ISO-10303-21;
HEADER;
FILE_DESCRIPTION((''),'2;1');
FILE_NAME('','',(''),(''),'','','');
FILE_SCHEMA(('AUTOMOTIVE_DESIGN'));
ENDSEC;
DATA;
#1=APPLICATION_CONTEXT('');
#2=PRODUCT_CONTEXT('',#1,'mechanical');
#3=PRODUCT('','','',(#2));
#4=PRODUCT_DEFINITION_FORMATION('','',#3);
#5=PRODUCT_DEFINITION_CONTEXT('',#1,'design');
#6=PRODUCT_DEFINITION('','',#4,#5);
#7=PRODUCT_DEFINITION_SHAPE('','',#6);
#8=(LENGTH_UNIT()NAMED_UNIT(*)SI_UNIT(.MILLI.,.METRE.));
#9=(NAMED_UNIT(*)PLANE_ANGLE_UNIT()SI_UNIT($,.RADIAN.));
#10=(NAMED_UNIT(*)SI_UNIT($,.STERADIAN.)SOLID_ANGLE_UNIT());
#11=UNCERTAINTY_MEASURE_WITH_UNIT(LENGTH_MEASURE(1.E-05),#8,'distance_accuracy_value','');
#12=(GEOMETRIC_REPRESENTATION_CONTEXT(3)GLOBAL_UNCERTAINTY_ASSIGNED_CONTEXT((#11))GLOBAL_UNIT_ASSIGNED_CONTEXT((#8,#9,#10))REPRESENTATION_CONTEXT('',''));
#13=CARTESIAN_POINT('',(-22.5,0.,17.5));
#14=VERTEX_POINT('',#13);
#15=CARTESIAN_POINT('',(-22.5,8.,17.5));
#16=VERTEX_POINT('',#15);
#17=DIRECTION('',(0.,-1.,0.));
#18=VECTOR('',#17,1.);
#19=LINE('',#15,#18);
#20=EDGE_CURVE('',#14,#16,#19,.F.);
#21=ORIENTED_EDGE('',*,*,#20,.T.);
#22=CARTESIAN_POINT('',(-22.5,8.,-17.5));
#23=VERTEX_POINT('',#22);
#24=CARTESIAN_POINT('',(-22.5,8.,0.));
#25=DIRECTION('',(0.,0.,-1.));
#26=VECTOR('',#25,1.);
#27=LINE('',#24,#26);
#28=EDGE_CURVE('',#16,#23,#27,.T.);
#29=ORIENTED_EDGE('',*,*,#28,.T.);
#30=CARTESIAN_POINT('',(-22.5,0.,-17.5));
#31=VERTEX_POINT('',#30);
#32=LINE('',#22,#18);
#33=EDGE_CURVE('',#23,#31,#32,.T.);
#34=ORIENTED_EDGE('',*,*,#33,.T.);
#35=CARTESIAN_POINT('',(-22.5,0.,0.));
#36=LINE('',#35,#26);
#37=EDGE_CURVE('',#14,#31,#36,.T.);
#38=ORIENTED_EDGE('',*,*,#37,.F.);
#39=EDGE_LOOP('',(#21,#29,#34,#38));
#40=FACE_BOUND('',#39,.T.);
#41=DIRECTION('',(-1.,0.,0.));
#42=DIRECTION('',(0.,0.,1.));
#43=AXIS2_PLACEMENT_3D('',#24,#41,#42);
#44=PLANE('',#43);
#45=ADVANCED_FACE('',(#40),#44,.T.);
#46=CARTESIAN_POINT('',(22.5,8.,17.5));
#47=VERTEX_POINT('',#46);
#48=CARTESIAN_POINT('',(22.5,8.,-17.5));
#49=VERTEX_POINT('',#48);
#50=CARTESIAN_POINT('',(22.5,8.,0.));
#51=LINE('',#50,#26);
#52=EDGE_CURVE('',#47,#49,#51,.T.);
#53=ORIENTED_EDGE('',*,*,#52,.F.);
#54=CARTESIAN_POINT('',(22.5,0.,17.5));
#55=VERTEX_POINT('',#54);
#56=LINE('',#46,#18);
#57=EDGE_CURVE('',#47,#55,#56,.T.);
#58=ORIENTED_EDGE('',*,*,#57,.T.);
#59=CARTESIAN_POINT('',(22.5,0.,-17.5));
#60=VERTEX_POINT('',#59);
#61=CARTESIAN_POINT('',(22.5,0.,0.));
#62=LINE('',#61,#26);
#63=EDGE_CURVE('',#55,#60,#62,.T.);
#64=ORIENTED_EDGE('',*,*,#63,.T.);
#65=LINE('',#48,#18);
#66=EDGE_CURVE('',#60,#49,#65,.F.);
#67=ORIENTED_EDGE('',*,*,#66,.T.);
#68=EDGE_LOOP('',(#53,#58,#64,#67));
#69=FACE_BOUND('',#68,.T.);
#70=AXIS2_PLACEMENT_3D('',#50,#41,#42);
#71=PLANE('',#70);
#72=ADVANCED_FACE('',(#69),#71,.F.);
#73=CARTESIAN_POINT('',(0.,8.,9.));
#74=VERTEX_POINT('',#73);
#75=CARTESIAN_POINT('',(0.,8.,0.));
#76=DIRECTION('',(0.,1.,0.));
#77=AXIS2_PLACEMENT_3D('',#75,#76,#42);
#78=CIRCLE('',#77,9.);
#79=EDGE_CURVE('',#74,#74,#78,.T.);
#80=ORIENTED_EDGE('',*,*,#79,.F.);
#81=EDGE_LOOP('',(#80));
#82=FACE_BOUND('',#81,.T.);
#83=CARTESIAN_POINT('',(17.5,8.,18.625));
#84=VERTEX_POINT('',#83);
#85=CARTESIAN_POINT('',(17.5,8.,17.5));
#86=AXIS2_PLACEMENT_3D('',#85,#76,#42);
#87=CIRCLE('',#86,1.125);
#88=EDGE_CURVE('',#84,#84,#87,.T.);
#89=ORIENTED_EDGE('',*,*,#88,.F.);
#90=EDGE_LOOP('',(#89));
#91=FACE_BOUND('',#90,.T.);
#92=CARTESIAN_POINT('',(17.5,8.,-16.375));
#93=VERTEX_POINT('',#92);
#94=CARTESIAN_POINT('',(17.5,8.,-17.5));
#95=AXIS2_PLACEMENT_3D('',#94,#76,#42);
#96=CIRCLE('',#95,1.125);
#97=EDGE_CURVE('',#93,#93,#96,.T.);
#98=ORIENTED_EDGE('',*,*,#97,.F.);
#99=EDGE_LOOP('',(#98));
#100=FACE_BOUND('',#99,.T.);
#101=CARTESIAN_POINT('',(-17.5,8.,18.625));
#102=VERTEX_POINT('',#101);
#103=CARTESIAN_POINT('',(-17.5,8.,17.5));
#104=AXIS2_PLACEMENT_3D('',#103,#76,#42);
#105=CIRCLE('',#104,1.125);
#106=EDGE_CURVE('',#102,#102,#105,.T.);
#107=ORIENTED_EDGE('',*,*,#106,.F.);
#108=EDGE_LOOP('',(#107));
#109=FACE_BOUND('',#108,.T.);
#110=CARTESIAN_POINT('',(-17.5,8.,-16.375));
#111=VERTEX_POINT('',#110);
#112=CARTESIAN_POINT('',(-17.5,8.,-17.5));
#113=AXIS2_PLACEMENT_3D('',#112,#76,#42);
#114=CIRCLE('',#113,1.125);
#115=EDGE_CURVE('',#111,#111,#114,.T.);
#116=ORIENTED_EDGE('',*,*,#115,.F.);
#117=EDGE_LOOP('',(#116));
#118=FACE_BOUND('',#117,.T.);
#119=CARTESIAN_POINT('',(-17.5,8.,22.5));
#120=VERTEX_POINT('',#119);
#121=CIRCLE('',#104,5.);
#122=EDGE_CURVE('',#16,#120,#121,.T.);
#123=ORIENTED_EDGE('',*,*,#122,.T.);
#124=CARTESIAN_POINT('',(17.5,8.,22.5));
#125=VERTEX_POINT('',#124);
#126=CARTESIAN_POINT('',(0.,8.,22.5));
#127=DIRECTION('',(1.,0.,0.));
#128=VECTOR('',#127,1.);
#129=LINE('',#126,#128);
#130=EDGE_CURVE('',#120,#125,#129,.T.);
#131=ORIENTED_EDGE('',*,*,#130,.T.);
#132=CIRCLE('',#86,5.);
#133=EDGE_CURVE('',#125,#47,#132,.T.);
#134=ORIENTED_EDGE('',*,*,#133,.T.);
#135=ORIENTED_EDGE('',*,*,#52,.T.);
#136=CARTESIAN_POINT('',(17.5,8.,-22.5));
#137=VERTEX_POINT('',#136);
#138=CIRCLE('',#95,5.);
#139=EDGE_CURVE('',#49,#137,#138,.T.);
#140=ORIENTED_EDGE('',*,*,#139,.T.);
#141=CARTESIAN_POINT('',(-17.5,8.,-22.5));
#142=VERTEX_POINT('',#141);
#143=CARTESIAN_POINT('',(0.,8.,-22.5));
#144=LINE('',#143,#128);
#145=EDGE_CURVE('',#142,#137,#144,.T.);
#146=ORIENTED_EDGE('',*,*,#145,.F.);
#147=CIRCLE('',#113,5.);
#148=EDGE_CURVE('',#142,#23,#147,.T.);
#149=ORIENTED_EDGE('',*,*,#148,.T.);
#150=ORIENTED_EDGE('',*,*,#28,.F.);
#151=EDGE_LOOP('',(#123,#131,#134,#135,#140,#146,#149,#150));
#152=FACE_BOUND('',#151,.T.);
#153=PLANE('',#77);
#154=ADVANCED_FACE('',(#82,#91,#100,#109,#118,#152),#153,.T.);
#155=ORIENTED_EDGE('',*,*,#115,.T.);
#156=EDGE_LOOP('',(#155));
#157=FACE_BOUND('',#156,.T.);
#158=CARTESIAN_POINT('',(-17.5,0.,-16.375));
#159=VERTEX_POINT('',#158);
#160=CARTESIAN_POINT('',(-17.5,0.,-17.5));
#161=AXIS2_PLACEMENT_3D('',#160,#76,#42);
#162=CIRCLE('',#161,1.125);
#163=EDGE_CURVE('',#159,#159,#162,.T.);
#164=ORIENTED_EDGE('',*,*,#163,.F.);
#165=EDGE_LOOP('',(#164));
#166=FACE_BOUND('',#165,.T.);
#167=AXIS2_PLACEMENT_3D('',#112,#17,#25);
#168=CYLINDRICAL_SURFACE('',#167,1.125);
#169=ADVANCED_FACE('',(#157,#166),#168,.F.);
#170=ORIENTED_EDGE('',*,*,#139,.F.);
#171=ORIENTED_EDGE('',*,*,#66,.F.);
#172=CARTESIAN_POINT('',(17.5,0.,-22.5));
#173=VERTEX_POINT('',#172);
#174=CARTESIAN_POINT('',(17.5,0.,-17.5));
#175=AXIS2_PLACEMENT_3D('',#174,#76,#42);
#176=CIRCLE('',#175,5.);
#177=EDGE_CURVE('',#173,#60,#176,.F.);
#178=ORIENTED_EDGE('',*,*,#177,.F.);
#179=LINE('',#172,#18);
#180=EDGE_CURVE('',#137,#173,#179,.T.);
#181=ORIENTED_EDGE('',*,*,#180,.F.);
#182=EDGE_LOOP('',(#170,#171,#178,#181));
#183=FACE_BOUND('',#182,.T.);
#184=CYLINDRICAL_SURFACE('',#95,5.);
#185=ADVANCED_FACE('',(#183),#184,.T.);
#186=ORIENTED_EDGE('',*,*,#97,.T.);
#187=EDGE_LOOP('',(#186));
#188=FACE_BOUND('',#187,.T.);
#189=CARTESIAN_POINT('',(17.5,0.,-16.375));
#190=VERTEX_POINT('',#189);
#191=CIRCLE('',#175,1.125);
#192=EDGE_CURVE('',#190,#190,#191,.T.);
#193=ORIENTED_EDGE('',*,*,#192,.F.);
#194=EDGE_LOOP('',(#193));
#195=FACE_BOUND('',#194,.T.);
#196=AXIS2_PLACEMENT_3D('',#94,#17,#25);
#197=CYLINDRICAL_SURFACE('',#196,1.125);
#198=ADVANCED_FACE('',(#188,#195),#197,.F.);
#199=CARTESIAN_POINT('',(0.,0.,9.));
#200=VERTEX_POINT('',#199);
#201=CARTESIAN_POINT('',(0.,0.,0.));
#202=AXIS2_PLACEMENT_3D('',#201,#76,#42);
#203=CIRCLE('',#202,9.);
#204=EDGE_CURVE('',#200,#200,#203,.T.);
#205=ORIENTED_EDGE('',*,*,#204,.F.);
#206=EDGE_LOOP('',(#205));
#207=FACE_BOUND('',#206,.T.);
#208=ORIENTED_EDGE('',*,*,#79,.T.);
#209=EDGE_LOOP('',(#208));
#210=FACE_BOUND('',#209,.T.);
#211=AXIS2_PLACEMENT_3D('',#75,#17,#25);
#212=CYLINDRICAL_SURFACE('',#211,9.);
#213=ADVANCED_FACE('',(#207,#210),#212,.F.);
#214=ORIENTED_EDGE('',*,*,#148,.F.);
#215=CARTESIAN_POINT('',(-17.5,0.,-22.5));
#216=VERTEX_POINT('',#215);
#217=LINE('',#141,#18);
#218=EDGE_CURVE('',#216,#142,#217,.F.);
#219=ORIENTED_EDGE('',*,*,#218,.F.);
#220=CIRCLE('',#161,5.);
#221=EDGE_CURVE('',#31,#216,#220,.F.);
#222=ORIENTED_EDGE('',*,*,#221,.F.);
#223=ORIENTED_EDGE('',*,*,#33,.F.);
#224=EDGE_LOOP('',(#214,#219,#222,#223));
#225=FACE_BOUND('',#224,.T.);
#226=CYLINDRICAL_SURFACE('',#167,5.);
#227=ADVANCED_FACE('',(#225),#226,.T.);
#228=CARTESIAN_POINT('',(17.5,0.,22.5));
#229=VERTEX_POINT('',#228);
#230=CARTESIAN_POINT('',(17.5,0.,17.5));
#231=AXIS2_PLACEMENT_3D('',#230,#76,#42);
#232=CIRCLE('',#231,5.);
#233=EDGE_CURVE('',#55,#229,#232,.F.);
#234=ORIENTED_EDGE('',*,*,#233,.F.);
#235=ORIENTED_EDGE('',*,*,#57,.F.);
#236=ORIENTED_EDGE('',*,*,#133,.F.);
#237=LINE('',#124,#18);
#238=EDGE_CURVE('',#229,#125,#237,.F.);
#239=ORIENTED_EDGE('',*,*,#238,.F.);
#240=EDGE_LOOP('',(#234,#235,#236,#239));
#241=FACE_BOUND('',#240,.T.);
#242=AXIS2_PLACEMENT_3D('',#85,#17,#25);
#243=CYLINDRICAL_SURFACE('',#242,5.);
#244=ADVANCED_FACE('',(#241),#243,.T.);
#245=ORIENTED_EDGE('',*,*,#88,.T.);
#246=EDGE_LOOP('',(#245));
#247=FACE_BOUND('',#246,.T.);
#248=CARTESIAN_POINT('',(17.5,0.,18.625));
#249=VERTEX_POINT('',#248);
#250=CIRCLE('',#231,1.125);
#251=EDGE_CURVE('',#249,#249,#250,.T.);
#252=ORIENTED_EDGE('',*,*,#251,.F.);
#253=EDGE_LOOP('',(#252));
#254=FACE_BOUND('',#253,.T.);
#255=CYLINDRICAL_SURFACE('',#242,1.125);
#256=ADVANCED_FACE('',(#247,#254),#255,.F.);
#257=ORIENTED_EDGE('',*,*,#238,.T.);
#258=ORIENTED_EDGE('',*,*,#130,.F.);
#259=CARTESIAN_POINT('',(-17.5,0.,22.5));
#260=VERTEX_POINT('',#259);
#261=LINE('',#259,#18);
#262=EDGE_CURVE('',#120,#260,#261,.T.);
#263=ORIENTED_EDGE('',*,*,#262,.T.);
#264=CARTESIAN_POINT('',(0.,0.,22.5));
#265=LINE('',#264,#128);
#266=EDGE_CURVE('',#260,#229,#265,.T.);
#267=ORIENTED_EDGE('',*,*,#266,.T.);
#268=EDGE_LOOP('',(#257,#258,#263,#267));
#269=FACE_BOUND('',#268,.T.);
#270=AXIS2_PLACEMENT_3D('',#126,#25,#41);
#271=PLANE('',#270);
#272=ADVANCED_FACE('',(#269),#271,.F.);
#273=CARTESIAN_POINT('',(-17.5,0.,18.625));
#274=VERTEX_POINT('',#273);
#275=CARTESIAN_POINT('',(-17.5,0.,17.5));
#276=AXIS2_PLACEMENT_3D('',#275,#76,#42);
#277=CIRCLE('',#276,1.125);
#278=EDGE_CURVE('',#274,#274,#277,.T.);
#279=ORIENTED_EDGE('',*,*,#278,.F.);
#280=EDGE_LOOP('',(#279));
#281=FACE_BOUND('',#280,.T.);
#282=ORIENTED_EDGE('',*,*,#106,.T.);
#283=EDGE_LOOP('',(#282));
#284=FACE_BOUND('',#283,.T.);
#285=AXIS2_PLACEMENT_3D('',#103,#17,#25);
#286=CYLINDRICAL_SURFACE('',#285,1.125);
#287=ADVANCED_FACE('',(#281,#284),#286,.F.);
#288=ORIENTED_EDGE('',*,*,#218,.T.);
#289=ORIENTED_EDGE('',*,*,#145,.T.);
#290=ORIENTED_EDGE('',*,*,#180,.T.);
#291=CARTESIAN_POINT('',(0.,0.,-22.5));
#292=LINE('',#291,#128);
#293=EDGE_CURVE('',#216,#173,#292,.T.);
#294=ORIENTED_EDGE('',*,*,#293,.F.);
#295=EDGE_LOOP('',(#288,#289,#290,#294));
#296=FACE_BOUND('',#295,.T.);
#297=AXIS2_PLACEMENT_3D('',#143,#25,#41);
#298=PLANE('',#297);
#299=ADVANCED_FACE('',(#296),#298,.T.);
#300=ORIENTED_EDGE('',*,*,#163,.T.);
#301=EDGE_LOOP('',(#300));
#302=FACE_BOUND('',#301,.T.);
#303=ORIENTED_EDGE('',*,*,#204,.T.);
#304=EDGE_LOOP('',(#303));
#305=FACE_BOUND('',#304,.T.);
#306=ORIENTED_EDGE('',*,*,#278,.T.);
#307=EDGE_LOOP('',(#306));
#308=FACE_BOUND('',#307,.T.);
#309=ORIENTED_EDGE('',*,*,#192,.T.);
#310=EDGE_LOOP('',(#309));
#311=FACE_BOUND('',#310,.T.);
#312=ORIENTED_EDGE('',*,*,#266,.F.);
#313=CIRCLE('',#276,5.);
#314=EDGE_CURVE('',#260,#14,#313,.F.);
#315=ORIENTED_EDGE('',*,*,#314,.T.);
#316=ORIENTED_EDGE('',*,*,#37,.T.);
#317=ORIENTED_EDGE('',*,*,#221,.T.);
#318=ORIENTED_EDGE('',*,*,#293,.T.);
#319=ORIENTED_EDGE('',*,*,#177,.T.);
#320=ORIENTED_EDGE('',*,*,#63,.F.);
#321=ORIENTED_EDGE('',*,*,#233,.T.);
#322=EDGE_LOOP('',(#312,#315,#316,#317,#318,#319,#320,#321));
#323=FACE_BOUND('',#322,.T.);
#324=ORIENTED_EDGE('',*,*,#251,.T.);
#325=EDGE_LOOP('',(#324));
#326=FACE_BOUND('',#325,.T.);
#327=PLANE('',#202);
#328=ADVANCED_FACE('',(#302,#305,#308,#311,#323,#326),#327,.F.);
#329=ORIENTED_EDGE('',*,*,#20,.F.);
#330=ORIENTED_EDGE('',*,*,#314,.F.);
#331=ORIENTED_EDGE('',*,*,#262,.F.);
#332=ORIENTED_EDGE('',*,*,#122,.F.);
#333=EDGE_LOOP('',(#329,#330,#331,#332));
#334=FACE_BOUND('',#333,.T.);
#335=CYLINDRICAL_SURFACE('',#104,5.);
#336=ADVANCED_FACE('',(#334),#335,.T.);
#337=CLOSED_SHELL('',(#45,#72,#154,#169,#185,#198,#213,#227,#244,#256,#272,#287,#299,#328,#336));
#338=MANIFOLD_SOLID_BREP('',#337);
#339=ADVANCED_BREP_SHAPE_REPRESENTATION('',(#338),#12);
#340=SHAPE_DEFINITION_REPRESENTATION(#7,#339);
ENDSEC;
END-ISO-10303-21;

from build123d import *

# Parameters (mm, degrees)
SKETCH1_W           = 45
SKETCH1_H           = 45
SKETCH1_R           = 9
SKETCH1_R_2         = 1.125
BOSS_EXTRUDE1_DEPTH = 8
FILLET1_R           = 5


with BuildPart() as part:
    # Sketch1 → Boss-Extrude1 (new body)
    with BuildSketch(Plane(origin=(0, 0, 0), x_dir=(1, 0, 0), z_dir=(0, 1, 0))):
        Rectangle(SKETCH1_W, SKETCH1_H)
        with Locations(Location((0, 0, 0), (0, 0, 270))):
            Circle(SKETCH1_R, mode=Mode.SUBTRACT)
        with Locations(Location((-17.5, 17.5, 0), (0, 0, 270))):
            Circle(SKETCH1_R_2, mode=Mode.SUBTRACT)
        with Locations(Location((17.5, 17.5, 0), (0, 0, 270))):
            Circle(SKETCH1_R_2, mode=Mode.SUBTRACT)
        with Locations(Location((17.5, -17.5, 0), (0, 0, 270))):
            Circle(SKETCH1_R_2, mode=Mode.SUBTRACT)
        with Locations(Location((-17.5, -17.5, 0), (0, 0, 270))):
            Circle(SKETCH1_R_2, mode=Mode.SUBTRACT)
    extrude(amount=BOSS_EXTRUDE1_DEPTH)

    # Fillet1
    fillet1_edges = [part.edges().sort_by_distance(p)[0] for p in [
        (-22.5, 4, 22.5),
        (-22.5, 4, -22.5),
        (22.5, 4, -22.5),
        (22.5, 4, 22.5),
    ]]
    fillet(fillet1_edges, radius=FILLET1_R)


solid = part.part
